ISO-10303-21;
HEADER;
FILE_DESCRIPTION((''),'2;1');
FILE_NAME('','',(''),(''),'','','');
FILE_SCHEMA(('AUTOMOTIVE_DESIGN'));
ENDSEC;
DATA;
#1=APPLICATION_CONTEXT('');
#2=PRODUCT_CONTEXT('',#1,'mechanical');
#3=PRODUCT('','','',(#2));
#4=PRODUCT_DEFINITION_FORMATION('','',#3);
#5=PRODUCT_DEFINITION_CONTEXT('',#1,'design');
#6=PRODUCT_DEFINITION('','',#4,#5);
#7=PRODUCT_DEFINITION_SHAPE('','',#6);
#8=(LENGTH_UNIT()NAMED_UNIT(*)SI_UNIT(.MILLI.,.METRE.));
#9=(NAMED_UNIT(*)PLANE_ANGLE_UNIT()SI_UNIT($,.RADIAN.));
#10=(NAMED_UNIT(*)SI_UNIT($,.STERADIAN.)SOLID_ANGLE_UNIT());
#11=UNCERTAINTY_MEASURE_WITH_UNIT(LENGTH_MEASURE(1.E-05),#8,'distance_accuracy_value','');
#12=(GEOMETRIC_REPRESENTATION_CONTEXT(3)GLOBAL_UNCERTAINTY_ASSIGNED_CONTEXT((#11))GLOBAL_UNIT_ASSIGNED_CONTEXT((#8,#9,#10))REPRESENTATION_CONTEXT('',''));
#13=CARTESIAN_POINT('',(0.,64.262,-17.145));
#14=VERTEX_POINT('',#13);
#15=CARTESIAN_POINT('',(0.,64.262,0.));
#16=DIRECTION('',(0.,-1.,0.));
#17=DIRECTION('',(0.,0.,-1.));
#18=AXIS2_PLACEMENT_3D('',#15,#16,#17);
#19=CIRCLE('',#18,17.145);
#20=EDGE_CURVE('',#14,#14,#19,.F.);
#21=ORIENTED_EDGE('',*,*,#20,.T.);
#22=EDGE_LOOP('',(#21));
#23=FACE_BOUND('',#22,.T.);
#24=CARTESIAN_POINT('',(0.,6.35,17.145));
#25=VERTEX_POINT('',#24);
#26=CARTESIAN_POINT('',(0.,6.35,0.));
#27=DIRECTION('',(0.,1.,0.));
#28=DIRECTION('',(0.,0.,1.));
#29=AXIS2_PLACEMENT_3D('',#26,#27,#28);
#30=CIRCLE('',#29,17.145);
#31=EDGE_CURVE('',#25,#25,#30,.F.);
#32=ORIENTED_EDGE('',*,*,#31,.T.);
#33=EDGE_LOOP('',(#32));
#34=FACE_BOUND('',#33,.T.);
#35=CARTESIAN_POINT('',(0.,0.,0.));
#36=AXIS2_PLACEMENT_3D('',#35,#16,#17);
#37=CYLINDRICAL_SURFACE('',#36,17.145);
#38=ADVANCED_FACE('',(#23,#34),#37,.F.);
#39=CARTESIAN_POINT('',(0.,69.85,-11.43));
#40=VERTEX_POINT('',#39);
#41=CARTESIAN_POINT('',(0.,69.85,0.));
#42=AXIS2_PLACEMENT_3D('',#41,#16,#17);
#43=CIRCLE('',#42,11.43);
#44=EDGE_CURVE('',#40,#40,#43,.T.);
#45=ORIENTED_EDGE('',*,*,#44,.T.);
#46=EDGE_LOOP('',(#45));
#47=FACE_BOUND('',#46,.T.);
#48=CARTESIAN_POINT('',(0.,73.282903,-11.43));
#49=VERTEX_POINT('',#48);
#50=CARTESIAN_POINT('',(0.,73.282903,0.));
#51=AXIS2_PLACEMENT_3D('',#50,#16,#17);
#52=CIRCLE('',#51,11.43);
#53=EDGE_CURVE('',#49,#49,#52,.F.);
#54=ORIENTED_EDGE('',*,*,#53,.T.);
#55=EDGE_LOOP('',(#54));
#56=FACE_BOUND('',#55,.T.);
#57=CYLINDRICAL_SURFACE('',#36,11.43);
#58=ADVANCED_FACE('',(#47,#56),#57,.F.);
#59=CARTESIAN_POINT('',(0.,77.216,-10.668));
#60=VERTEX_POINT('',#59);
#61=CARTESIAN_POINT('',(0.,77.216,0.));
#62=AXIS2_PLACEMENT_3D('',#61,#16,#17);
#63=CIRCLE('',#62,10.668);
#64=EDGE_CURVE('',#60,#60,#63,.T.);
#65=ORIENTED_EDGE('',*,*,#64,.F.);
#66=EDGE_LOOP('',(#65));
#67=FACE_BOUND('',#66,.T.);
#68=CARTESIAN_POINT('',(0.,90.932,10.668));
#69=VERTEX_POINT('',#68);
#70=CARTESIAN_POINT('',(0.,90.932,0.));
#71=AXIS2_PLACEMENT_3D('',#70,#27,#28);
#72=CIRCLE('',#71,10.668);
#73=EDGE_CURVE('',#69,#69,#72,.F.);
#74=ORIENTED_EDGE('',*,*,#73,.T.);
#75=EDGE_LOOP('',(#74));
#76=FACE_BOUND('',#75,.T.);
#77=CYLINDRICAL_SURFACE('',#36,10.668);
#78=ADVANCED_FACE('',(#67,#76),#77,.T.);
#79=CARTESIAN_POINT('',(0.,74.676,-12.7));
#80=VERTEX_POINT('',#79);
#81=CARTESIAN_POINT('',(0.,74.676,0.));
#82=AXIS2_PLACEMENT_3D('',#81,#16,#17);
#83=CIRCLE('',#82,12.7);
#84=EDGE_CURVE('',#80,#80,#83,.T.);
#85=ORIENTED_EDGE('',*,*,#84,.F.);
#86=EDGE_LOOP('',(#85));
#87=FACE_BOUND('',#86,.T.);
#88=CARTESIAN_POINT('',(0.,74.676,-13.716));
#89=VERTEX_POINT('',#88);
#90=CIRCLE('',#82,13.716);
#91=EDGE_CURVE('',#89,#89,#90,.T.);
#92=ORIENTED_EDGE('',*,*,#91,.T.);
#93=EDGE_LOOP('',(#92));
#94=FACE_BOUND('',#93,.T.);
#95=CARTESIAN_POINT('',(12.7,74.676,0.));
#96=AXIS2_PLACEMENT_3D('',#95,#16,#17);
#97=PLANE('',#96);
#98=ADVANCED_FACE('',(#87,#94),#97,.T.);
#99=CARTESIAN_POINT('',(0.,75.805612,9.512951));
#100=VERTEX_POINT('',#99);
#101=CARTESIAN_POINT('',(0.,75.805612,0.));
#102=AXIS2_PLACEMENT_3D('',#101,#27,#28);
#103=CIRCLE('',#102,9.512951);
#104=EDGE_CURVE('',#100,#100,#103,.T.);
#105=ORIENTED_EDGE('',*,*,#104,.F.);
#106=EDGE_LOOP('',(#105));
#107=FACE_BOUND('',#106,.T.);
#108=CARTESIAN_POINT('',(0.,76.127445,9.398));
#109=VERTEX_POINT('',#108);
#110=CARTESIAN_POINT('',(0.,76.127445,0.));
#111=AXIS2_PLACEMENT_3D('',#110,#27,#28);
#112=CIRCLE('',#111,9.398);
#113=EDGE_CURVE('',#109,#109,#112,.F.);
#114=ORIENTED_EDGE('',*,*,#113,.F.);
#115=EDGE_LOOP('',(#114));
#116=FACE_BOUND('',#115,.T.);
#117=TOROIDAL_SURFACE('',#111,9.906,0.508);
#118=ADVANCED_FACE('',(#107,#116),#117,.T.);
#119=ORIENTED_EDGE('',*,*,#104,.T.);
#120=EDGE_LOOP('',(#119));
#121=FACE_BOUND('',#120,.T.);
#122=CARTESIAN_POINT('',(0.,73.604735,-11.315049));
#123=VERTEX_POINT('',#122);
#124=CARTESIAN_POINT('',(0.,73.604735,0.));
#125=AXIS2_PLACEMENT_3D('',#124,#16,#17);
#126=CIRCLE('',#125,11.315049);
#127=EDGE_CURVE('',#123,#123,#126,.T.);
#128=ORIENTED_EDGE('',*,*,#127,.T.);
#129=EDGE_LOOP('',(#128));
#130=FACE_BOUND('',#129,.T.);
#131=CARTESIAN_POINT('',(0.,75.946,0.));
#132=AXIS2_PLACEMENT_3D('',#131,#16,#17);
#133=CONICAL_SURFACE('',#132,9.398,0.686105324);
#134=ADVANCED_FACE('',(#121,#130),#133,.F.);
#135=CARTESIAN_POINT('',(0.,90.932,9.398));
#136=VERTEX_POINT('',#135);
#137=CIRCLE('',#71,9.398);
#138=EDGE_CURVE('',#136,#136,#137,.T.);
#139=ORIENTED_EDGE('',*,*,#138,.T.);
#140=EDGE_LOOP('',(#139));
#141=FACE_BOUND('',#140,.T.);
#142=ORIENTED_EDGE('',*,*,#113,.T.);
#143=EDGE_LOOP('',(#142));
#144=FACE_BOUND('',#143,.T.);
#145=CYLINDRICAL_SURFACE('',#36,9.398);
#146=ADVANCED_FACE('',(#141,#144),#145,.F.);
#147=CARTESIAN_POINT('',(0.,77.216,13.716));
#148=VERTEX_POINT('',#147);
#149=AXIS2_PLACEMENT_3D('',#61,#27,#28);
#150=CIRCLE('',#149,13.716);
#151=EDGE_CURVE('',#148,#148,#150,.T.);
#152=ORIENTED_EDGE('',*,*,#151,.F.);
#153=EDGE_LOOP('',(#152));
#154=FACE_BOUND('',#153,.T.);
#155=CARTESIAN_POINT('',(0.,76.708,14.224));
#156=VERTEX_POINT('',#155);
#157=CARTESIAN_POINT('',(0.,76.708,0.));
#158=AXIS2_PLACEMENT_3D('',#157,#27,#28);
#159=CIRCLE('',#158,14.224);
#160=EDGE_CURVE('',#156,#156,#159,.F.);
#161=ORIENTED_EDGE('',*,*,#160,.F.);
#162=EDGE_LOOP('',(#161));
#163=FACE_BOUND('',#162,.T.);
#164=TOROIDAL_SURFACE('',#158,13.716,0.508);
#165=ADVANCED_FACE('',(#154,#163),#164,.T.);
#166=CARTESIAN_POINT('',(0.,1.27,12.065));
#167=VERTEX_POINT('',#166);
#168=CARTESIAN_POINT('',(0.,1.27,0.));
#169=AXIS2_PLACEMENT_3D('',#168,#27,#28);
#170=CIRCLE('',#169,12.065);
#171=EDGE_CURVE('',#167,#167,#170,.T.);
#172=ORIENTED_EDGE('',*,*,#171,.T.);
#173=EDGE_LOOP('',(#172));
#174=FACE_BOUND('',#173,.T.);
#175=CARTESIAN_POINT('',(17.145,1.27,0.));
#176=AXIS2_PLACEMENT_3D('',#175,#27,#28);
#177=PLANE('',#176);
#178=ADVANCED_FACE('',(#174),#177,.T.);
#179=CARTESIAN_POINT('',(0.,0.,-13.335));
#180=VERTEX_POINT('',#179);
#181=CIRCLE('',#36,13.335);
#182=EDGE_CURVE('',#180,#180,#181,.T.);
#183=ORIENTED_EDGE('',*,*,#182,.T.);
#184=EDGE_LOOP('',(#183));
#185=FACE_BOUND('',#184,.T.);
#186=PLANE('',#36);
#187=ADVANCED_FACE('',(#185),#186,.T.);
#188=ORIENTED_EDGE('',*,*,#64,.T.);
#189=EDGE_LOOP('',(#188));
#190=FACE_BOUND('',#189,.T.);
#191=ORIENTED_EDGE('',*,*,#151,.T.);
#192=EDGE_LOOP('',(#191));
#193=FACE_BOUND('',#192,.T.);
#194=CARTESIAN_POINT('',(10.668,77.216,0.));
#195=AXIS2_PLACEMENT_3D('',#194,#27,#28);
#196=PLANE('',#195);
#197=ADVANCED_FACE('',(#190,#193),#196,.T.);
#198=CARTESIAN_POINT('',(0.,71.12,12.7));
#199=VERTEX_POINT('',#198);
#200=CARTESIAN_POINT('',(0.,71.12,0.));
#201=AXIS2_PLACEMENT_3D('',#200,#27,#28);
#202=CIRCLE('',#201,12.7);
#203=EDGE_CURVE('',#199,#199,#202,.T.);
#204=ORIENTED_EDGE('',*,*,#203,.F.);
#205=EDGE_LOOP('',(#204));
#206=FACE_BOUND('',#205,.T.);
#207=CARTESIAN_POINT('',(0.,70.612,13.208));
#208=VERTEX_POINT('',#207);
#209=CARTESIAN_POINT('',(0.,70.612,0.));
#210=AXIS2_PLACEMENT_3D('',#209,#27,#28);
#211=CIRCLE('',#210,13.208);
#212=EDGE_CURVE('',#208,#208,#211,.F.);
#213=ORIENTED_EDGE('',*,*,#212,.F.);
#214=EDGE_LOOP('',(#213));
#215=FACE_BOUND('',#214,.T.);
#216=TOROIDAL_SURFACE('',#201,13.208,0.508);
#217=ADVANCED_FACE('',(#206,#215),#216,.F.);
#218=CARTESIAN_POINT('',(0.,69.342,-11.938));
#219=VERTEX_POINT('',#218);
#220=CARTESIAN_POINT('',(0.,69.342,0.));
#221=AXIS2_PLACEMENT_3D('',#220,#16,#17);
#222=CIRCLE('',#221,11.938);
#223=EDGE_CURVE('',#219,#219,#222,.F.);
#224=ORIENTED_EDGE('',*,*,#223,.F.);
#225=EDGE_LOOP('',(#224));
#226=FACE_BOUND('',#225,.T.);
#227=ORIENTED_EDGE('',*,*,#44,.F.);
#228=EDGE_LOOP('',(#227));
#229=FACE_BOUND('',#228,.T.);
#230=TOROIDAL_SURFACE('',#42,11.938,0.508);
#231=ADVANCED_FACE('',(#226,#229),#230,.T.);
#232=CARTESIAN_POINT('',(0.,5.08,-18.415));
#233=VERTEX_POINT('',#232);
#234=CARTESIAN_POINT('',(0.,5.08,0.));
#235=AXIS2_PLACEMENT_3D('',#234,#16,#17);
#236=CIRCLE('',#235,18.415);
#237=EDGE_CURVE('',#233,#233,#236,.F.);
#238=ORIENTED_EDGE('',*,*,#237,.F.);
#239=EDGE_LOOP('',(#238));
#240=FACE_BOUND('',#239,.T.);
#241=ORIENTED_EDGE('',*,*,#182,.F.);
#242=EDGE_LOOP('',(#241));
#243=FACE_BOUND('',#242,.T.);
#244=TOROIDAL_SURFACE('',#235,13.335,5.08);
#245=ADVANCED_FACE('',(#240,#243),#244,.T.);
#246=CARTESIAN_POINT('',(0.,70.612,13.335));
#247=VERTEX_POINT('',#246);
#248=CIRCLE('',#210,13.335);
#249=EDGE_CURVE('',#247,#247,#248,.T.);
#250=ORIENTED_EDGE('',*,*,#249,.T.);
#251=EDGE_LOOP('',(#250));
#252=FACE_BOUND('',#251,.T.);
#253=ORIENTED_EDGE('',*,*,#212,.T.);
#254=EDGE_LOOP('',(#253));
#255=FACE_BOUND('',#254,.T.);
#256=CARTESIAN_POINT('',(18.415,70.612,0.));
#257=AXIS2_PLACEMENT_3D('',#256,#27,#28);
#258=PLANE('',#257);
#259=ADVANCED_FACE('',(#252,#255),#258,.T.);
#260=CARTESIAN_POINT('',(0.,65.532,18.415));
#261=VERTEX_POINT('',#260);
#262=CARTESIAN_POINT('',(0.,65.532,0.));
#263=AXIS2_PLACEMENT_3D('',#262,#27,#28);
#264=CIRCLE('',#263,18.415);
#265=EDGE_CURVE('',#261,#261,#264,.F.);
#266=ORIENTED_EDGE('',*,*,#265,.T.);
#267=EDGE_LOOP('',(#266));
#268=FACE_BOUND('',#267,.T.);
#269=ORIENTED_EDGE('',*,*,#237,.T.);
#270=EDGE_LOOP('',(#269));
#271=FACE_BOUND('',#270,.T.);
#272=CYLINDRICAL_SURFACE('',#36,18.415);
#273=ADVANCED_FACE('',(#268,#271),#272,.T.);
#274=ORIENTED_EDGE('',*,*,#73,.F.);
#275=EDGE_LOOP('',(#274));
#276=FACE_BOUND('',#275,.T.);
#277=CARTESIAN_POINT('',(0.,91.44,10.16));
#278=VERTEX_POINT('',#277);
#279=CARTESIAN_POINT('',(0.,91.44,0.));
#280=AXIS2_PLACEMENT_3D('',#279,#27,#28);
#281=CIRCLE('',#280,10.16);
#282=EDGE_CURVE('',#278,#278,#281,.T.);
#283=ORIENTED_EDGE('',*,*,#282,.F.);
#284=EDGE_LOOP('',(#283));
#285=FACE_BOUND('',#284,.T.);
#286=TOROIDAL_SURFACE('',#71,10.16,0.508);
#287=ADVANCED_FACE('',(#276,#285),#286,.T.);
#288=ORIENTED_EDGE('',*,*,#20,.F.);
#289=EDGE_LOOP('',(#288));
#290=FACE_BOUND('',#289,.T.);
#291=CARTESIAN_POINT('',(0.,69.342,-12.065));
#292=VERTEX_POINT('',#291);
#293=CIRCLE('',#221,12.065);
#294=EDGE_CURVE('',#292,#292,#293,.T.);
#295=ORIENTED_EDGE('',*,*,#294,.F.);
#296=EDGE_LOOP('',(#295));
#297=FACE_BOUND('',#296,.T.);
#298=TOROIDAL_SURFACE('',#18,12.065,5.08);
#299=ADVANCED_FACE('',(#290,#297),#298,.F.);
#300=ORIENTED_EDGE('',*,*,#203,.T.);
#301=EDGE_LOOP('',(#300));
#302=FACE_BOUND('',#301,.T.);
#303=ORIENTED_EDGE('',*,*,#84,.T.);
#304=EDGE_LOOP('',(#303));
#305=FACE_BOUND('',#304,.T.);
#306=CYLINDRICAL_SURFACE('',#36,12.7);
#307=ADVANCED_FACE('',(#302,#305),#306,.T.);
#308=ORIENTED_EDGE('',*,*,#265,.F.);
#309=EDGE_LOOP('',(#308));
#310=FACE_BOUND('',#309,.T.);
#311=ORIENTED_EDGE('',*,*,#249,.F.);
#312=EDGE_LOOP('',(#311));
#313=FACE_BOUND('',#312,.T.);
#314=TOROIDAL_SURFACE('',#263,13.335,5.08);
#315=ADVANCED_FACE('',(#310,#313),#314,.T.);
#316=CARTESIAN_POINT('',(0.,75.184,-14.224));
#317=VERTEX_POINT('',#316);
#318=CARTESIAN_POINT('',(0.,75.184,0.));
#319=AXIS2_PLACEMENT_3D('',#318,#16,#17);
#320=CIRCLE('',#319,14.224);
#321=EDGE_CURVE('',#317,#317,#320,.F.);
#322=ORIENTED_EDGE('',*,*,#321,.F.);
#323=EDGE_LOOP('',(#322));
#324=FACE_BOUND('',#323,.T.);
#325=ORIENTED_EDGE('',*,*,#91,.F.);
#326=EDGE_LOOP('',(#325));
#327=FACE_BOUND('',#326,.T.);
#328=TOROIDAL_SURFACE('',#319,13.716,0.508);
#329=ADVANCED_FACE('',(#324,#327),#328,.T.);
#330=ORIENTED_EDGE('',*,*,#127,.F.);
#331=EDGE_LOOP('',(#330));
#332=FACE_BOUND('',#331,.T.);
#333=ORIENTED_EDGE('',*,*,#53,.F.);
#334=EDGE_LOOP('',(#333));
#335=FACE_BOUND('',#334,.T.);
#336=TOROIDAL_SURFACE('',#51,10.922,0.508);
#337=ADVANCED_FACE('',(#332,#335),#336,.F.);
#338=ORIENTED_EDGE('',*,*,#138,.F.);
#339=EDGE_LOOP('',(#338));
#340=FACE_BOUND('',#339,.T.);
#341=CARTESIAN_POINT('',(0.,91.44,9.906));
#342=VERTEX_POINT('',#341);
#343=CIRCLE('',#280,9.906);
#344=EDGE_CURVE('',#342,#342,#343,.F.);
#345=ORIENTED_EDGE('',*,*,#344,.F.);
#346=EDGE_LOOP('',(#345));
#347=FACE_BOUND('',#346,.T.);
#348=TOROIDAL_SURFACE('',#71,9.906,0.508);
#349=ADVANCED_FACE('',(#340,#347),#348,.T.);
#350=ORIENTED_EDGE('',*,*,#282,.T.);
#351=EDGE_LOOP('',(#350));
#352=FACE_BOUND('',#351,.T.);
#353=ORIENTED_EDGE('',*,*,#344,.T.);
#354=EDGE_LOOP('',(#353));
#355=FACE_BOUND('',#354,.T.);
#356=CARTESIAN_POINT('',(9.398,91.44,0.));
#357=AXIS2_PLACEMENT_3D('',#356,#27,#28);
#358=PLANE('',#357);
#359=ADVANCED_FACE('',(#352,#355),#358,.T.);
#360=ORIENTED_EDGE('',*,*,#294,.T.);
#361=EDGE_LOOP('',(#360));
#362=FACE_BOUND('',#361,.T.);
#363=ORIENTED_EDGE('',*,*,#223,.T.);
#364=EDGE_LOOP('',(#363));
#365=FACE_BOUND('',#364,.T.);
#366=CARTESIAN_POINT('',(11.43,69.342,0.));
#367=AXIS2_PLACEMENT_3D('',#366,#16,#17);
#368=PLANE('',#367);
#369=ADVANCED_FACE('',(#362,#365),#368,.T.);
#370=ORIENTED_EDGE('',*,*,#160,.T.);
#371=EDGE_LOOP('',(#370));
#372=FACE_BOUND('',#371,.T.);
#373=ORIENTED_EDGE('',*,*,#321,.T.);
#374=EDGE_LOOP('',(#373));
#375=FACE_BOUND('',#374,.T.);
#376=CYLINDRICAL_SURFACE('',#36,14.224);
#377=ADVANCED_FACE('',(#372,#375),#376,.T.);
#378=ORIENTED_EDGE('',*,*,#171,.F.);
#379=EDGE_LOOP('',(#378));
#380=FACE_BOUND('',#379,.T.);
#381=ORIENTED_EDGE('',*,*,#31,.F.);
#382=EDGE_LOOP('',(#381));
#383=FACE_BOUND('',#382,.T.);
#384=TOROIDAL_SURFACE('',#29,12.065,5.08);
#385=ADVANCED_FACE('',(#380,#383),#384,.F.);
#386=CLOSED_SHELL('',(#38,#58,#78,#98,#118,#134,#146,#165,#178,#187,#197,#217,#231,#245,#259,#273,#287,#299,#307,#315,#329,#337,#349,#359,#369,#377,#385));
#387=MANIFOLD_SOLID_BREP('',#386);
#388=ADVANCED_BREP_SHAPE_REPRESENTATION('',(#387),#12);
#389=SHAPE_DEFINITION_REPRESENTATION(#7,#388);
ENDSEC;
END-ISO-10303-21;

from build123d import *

# Parameters (mm, degrees)
FILLET1_R = 5.08
FILLET2_R = 0.508


with BuildPart() as part:
    # Sketch1 → Revolve1 (revolve)
    with BuildSketch(Plane.XY, mode=Mode.PRIVATE) as revolve1_sk:
        Polygon((0, 0), (18.415, 0), (18.415, 70.612), (12.7, 70.612), (12.7, 74.676), (14.224, 74.676), (14.224, 77.216), (10.668, 77.216), (10.668, 91.44), (9.398, 91.44), (9.398, 75.946), (11.43, 73.464347985), (11.43, 69.342), (17.145, 69.342), (17.145, 1.27), (0, 1.27), align=None)
    revolve(revolve1_sk.sketch.rotate(Axis((0, 0, 0), (0, 1, 0)), 90), axis=Axis((0, 0, 0), (0, 1, 0)))

    # Fillet1
    fillet1_edges = [part.edges().sort_by_distance(p)[0] for p in [
        (0, 1.27, 17.145),
        (0, 69.342, 17.145),
        (0, 70.612, 18.415),
        (0, 0, 18.415),
    ]]
    fillet(fillet1_edges, radius=FILLET1_R)

    # Fillet2
    fillet2_edges = [part.edges().sort_by_distance(p)[0] for p in [
        (0, 69.342, 11.43),
        (0, 73.464347985, 11.43),
        (0, 75.946, 9.398),
        (0, 91.44, 9.398),
        (0, 91.44, 10.668),
        (0, 77.216, 14.224),
        (0, 74.676, 14.224),
        (0, 70.612, 12.7),
    ]]
    fillet(fillet2_edges, radius=FILLET2_R)


solid = part.part
